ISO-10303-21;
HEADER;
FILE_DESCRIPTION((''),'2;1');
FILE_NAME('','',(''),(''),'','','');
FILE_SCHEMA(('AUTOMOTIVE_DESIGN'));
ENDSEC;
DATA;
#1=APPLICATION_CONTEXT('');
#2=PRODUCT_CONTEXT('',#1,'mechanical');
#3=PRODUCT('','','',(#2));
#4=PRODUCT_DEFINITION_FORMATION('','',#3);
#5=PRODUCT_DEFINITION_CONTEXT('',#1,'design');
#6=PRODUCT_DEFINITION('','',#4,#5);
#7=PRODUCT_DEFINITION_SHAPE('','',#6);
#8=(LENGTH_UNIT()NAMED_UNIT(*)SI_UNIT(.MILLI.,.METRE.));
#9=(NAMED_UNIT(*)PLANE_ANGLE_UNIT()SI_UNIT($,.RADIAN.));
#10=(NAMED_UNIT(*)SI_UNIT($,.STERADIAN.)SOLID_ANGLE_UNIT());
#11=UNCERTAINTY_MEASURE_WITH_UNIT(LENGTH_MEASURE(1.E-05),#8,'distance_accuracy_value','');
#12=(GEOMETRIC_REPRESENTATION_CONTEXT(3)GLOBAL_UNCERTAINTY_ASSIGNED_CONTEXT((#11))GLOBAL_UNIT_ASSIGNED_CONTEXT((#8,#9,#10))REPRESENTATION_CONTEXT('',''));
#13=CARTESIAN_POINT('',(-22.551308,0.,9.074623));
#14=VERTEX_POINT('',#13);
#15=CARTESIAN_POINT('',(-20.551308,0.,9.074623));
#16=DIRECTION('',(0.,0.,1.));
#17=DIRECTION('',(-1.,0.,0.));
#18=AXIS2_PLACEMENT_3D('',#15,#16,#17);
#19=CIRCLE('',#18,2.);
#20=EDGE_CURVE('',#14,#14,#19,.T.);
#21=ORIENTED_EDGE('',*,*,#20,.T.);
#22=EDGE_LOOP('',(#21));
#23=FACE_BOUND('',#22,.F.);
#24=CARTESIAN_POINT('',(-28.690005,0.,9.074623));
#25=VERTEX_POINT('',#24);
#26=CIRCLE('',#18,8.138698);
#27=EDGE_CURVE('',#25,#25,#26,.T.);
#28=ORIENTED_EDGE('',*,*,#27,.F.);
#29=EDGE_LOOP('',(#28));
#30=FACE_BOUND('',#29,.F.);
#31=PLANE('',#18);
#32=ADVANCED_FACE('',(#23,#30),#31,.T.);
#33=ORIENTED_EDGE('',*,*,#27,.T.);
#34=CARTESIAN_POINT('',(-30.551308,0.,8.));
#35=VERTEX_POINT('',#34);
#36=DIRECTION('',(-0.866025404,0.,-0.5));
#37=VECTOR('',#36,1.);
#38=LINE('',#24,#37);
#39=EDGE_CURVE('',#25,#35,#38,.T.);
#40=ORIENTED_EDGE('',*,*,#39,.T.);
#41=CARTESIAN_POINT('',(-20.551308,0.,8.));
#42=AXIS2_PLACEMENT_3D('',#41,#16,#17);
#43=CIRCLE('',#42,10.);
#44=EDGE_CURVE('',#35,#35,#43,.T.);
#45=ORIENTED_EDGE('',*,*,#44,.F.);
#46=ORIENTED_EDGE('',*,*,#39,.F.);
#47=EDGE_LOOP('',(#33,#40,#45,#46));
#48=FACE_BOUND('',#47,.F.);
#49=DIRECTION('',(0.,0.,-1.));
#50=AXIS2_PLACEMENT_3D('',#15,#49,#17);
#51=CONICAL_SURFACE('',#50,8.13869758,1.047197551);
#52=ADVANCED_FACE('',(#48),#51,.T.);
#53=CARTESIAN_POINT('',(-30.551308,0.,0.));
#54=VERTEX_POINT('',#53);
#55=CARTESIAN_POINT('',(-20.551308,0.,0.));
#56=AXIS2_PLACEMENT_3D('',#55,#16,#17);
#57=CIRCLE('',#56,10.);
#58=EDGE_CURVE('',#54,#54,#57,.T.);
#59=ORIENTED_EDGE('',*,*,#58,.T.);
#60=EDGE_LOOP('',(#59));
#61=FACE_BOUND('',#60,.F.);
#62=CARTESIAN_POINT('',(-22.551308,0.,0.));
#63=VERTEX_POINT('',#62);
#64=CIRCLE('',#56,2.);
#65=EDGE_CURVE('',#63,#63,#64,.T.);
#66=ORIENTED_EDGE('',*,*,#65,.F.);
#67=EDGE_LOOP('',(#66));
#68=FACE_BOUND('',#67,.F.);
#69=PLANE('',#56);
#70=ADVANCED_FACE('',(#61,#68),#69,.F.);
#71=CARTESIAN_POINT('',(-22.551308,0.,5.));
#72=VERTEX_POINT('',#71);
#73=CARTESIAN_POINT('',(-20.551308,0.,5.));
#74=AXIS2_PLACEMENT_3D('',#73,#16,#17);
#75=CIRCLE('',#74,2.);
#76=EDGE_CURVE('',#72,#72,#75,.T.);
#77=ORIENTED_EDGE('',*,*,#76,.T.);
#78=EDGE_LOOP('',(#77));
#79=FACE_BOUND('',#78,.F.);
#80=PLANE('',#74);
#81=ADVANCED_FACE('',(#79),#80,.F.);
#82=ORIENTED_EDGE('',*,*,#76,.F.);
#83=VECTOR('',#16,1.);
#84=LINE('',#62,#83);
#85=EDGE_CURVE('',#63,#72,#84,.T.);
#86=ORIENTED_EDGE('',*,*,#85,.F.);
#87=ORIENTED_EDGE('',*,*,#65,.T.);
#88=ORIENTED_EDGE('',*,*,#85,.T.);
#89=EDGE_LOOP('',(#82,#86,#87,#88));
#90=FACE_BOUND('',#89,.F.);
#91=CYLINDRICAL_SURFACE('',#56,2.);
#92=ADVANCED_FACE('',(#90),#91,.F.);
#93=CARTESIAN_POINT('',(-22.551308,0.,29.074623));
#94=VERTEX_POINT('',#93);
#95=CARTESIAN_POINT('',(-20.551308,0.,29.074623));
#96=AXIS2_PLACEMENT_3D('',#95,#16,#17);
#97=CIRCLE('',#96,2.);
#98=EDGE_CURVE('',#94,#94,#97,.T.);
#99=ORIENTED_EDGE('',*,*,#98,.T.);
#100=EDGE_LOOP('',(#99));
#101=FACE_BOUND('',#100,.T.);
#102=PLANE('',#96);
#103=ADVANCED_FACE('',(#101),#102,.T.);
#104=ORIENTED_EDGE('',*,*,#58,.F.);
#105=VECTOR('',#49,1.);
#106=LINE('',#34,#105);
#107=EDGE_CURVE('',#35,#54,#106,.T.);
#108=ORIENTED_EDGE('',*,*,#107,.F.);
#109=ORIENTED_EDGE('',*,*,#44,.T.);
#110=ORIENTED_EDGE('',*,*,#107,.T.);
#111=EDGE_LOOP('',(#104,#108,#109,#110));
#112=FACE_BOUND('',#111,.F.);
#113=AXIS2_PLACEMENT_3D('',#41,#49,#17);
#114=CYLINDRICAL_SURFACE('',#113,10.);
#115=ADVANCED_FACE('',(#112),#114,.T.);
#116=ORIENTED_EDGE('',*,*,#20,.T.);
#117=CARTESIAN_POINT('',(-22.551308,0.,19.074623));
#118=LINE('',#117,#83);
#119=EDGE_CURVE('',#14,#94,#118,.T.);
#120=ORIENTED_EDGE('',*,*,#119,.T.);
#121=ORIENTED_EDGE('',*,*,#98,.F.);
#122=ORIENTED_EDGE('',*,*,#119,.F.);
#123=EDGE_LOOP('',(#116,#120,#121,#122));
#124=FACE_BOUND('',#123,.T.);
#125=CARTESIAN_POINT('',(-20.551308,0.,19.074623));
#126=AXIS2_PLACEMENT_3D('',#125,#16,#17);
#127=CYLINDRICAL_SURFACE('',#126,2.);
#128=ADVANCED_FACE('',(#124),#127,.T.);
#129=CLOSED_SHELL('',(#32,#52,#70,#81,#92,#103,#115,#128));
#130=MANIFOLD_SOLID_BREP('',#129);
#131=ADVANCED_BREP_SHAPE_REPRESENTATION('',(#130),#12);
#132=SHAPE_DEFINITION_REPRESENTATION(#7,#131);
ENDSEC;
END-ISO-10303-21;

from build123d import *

# Parameters (mm, degrees)
F0_W   = 2
F0_H   = 20
F0_H_2 = 3
F0_H_3 = 1.0746234533


with BuildPart() as f1:
    # F0 (on Front) → F1 (revolve)
    with BuildSketch(Plane.XZ):
        with Locations((-21.5513077103, 19.0746234533)):
            Rectangle(F0_W, F0_H)
        Polygon((-22.5513077103, 8), (-30.5513077103, 8), (-30.5513077103, 0), (-22.5513077103, 0), (-22.5513077103, 5), align=None)
        Polygon((-28.6900052902, 9.0746234533), (-30.5513077103, 8), (-22.5513077103, 8), (-22.5513077103, 9.0746234533), align=None)
        with Locations((-21.5513077103, 6.5)):
            Rectangle(F0_W, F0_H_2)
        with Locations((-21.5513077103, 8.5373117267)):
            Rectangle(F0_W, F0_H_3)
    revolve(axis=Axis((-20.5513077103, 0, 19.0746234533), (0, 0, 1)))


solid = f1.part
